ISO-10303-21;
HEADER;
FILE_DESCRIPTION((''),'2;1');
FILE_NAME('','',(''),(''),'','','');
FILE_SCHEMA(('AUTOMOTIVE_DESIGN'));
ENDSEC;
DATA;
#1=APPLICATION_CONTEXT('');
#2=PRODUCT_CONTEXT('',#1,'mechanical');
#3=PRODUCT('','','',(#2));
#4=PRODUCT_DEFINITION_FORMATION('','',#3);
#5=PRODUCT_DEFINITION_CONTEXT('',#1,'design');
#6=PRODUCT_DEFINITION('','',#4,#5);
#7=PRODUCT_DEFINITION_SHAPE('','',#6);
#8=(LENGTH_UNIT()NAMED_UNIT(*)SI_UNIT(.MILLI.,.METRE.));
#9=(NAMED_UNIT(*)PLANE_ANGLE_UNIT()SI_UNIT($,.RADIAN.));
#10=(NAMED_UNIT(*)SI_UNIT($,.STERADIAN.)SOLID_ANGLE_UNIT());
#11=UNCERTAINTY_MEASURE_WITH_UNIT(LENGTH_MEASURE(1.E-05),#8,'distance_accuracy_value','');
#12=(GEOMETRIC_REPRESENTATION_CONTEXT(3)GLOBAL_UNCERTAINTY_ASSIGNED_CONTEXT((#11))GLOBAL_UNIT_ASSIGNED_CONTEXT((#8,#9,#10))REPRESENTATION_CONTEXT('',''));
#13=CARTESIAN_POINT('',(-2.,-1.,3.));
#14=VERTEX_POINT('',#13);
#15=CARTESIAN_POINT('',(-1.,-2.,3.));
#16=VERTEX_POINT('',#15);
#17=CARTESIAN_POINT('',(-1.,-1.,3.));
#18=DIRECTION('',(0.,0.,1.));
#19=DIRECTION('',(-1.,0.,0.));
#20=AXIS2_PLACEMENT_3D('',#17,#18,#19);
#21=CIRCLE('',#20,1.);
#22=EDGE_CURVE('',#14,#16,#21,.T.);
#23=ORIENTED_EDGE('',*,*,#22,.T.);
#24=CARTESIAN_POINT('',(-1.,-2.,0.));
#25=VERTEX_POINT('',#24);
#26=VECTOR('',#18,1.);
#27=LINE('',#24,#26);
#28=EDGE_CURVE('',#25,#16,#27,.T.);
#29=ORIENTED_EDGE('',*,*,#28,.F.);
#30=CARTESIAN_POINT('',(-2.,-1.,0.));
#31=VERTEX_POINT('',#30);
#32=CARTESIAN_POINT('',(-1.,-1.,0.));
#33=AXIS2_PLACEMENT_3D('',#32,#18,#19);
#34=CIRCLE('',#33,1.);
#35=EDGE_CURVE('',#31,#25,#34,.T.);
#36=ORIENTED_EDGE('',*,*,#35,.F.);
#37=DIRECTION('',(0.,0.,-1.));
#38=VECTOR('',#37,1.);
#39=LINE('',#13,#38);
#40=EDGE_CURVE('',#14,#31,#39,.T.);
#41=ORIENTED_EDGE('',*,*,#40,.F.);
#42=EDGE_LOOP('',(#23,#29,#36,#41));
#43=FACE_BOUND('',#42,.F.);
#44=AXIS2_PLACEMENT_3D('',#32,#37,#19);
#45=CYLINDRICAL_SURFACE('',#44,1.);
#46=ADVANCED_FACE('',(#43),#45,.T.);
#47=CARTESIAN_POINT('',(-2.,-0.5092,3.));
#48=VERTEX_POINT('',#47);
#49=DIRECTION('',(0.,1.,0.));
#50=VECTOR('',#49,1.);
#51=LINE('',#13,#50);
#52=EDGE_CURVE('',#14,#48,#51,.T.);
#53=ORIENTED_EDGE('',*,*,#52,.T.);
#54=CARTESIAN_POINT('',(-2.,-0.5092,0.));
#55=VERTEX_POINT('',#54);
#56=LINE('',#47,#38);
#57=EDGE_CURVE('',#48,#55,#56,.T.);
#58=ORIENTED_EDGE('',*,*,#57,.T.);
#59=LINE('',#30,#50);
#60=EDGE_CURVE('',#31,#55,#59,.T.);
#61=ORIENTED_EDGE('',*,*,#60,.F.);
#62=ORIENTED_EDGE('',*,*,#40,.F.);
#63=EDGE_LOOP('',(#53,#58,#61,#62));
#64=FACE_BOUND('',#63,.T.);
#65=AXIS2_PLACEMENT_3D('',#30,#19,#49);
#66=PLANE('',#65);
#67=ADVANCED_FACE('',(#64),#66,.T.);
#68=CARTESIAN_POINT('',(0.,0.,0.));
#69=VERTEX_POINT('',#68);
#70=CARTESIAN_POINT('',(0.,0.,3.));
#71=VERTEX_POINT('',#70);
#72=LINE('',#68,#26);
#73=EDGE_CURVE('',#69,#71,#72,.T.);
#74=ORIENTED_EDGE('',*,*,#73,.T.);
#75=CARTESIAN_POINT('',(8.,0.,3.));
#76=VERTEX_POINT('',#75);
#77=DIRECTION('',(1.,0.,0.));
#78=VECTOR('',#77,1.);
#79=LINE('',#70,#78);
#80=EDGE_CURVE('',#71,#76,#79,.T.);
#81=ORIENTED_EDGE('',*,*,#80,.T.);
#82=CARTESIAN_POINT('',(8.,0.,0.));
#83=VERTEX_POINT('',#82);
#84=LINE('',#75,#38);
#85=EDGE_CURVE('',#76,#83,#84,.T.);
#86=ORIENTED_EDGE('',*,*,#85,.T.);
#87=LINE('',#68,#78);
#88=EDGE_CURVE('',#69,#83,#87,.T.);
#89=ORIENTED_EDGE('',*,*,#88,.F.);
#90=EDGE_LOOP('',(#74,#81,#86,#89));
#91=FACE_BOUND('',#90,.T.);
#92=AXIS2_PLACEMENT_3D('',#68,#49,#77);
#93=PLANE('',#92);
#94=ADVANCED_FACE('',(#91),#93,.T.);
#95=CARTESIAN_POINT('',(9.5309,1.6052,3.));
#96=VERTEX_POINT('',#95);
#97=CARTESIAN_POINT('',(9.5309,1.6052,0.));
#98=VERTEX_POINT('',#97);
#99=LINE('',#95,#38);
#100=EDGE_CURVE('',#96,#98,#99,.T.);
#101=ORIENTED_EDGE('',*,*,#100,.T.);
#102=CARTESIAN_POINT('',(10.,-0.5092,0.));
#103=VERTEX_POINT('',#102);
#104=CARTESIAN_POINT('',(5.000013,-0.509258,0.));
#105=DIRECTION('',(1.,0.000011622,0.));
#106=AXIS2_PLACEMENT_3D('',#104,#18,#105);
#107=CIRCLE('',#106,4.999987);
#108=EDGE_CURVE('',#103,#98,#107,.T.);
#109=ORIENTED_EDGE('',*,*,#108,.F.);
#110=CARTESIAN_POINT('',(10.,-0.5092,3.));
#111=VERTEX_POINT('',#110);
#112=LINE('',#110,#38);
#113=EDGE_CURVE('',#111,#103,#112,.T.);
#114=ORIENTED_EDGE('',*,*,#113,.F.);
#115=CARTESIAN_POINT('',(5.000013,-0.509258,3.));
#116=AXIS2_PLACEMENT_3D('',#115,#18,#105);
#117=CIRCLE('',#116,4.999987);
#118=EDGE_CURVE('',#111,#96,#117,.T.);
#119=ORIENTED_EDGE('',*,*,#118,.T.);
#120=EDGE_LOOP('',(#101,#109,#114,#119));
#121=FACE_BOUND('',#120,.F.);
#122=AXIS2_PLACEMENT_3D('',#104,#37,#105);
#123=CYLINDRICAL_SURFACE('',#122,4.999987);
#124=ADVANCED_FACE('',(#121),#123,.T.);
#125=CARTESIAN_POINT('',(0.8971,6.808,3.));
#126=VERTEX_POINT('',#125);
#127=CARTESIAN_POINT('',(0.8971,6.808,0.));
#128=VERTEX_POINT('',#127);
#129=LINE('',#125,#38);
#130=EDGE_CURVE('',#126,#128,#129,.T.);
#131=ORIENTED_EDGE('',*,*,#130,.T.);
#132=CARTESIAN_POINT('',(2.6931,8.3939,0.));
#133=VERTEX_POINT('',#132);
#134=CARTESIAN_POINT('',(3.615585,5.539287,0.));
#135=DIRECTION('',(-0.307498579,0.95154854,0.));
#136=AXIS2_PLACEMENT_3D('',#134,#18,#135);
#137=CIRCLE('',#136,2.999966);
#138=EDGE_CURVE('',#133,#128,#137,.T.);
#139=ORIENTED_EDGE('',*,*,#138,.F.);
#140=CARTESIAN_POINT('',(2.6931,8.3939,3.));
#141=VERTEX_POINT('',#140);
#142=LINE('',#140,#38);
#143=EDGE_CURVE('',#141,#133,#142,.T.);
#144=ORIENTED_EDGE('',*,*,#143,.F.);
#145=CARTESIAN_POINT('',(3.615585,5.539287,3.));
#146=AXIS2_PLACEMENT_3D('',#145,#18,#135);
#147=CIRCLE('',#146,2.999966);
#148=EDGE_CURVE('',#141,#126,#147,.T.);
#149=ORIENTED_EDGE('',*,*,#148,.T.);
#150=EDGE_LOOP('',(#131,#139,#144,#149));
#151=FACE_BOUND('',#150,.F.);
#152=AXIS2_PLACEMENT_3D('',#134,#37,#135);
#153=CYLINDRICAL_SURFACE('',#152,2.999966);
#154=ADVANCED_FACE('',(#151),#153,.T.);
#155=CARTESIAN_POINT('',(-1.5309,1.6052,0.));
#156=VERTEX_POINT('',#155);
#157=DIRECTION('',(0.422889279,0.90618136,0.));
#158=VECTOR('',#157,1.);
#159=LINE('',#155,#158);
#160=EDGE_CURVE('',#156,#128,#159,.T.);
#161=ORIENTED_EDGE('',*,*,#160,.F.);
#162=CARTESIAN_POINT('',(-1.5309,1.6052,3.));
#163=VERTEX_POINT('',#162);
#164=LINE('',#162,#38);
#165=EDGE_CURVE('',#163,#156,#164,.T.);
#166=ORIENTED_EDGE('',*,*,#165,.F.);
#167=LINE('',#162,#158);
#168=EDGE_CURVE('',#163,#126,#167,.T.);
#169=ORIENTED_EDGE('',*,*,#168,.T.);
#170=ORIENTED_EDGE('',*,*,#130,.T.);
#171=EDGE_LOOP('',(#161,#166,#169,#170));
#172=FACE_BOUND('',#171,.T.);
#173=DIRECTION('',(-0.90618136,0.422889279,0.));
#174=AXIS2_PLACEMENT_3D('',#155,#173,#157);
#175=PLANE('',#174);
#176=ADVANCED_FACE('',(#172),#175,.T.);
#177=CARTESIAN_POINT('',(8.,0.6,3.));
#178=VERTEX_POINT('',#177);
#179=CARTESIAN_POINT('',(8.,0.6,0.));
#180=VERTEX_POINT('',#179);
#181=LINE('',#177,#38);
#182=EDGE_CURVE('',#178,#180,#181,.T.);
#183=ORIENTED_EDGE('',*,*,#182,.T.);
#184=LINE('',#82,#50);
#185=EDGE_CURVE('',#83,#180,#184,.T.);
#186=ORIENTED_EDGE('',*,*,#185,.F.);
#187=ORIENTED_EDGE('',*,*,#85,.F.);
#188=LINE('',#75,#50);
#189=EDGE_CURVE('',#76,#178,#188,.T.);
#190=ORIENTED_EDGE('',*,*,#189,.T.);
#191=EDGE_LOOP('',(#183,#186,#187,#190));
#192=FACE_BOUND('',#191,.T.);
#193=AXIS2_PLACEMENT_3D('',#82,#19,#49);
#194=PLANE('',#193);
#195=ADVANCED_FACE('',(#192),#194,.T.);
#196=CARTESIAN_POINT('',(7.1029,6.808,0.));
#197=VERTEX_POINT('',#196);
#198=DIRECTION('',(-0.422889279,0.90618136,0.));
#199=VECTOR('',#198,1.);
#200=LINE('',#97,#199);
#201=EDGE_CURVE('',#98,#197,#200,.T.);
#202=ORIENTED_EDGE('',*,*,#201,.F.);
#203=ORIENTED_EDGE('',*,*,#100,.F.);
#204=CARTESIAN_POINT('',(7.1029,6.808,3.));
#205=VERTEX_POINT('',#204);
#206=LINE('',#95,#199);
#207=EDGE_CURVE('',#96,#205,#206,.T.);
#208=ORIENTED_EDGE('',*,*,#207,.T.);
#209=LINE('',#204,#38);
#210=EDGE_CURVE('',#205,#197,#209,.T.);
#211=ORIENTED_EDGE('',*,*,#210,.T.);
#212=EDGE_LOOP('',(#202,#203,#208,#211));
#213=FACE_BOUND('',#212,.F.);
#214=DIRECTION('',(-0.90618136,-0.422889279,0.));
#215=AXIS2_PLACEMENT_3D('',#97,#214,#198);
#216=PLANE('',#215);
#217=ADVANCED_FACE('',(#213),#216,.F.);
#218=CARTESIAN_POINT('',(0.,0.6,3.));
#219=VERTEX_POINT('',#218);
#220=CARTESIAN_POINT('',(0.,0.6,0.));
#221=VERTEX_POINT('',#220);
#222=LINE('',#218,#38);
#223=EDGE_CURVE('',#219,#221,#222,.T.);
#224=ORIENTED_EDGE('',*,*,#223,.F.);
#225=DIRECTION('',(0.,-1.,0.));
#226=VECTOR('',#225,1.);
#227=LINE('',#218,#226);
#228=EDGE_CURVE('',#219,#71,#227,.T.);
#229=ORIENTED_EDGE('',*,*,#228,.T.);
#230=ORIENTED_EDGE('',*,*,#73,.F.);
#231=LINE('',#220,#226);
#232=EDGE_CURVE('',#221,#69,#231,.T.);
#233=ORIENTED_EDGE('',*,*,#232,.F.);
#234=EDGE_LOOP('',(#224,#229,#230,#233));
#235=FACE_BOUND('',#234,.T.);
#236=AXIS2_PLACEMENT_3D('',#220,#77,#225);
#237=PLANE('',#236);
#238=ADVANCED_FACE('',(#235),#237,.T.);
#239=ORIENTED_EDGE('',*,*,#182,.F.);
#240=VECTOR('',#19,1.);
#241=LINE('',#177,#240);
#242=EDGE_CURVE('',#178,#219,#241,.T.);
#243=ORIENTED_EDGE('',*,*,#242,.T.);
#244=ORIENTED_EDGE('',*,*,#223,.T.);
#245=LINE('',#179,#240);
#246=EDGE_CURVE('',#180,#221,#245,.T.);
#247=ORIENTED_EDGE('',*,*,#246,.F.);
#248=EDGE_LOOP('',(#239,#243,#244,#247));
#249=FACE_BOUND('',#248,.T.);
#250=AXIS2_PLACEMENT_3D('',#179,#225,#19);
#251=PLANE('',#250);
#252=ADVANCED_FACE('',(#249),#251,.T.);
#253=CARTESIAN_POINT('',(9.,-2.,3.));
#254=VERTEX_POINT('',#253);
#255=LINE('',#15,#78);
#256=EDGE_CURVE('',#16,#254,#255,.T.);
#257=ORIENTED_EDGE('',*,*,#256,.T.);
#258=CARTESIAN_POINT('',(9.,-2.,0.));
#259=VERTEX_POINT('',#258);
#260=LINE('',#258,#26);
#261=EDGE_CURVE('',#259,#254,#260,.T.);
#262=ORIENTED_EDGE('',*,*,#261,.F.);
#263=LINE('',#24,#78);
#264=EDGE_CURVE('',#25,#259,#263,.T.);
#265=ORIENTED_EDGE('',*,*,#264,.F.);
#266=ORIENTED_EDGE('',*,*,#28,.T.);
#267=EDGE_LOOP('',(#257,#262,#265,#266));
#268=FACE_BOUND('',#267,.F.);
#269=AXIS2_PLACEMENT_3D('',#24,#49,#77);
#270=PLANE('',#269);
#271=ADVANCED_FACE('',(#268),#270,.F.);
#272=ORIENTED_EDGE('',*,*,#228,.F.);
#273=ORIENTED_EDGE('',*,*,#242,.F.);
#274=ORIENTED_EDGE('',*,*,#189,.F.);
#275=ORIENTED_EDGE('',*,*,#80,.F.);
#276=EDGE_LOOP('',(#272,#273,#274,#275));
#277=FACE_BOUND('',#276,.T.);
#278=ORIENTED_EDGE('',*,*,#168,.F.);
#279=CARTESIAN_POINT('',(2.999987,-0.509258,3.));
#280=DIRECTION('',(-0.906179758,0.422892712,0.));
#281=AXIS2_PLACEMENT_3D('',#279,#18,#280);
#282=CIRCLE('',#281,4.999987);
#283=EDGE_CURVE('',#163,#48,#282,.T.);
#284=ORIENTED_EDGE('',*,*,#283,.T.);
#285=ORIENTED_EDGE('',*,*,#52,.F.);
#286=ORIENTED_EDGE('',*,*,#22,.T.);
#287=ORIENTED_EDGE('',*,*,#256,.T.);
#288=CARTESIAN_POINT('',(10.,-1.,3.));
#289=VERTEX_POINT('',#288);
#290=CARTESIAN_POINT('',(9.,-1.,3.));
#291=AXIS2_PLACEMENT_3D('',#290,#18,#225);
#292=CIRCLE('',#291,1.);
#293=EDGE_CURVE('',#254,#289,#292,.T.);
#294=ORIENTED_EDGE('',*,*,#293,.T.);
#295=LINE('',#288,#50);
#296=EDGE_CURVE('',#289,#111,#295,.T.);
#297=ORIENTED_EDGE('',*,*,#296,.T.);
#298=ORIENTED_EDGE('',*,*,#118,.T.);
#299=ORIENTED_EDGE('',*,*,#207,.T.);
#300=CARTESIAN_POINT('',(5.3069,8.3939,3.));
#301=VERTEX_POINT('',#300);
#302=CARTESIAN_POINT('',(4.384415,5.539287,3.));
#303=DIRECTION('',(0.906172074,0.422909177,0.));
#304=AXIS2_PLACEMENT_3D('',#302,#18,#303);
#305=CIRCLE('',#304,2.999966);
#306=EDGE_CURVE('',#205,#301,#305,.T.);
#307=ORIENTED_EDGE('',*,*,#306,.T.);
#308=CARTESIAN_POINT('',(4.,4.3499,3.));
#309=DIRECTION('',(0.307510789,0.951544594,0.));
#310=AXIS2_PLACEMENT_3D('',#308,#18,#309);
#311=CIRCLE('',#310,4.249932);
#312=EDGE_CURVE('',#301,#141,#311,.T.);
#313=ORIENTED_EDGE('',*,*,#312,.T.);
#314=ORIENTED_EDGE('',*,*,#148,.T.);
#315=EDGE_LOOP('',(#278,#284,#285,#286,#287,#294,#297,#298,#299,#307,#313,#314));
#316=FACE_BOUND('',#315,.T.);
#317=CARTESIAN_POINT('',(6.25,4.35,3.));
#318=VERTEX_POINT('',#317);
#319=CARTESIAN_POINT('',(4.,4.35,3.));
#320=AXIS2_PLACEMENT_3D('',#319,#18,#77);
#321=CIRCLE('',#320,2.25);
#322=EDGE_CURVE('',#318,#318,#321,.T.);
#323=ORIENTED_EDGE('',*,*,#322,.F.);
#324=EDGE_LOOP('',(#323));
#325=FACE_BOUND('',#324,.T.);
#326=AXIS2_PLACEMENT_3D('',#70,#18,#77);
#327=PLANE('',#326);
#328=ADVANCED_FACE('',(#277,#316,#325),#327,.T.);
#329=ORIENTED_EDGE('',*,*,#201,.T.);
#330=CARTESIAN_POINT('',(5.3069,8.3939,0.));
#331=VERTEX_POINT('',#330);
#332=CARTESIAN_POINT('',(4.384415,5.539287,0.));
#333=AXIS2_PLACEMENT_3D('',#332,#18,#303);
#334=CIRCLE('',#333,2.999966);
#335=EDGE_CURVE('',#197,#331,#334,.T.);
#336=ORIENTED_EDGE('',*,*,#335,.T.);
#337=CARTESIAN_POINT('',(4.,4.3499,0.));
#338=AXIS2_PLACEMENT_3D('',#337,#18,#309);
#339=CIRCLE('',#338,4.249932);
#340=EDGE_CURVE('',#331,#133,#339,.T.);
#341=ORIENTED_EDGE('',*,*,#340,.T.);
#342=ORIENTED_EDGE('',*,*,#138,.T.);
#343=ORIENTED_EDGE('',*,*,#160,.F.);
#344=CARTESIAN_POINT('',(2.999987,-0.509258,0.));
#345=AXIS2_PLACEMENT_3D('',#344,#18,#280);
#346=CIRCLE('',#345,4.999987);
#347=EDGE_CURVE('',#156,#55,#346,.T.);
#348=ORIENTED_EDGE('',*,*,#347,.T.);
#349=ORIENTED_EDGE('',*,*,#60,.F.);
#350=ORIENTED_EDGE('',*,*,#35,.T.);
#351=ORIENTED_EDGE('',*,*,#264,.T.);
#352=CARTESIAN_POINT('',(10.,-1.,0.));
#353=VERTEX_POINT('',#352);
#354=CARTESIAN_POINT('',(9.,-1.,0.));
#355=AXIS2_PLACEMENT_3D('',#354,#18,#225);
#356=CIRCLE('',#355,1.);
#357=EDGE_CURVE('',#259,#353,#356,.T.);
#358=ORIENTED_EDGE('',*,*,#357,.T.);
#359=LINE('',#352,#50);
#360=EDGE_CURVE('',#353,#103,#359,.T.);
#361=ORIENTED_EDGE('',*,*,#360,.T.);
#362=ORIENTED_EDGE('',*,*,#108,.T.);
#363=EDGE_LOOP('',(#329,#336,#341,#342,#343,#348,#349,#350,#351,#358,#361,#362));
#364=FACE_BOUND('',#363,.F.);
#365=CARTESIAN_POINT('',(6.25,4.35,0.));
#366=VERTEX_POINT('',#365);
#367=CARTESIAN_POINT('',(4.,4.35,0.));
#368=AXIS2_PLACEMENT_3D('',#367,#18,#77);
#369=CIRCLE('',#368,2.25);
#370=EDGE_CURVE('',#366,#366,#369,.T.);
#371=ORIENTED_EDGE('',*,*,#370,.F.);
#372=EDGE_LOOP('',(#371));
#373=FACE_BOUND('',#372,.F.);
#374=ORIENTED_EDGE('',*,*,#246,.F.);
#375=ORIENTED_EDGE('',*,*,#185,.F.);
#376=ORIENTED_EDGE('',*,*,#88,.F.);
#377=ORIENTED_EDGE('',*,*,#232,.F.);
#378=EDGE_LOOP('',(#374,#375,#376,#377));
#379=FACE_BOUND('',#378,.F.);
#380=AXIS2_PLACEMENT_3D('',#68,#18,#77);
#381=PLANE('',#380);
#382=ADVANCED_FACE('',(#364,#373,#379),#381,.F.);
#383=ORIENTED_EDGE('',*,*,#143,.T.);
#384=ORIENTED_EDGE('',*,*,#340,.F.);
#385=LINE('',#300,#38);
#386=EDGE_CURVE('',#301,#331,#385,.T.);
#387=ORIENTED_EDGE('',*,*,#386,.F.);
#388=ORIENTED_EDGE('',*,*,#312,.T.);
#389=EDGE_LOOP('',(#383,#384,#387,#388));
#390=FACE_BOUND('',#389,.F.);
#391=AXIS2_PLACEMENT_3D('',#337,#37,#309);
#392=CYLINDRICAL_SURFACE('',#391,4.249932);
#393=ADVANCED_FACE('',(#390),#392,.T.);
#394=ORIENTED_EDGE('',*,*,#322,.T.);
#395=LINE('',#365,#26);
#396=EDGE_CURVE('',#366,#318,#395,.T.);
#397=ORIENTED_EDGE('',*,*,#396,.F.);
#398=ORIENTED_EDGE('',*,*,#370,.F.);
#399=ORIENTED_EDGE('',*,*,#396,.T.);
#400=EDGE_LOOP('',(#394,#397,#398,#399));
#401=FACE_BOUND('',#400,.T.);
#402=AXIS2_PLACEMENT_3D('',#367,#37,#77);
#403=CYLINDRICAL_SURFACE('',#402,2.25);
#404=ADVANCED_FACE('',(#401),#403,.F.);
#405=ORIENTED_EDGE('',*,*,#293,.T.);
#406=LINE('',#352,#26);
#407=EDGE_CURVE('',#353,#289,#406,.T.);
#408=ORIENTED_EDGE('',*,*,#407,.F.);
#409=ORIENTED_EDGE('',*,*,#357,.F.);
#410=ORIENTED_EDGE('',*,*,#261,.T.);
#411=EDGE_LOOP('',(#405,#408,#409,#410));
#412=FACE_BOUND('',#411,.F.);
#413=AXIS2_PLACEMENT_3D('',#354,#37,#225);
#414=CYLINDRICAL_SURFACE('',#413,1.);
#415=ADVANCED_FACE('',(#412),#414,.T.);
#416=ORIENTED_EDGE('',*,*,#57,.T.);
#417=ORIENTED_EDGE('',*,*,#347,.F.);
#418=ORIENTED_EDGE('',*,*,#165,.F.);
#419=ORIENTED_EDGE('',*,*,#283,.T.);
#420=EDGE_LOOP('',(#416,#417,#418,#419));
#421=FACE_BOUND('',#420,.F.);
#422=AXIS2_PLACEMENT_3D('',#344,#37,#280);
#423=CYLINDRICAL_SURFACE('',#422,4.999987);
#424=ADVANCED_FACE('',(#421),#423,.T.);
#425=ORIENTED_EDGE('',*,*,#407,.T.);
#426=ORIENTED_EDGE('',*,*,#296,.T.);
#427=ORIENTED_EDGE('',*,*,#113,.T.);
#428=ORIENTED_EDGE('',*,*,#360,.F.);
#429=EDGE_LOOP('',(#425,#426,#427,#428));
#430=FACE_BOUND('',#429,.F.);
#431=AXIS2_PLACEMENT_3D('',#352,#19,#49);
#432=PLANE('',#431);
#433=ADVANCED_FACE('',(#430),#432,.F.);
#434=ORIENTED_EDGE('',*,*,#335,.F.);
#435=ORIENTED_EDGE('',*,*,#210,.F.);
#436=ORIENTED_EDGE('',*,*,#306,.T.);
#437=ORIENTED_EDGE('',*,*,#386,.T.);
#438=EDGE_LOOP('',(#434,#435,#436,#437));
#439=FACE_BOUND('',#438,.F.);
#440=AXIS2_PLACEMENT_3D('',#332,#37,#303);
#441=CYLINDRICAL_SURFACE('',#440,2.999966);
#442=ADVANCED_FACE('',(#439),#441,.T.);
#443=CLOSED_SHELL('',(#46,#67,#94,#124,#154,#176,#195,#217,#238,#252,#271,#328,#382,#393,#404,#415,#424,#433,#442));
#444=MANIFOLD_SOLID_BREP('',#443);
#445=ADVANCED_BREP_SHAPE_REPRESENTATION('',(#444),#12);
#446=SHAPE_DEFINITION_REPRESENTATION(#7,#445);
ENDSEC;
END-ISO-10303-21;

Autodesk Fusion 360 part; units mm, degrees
sketch "Skizze1" plane through (0, 0, 0) normal (0, 0, 1) x (1, 0, 0)
  line L0 (0, 0) -> (8, 0)
  line L1 (8, 0) -> (8, 0.6)
  line L2 (8, 0.6) -> (0, 0.6)
  line L3 (0, 0.6) -> (0, 0)
  circle A0 centre (4, 4.35) radius 2.25
  line L4 (-1, -2) -> (9, -2)
  line L5 (10, -1) -> (10, -0.5092)
  line L6 (-2, -1) -> (-2, -0.5092)
  line L7 (-1.5309, 1.6052) -> (0.8971, 6.808)
  line L8 (9.5309, 1.6052) -> (7.1029, 6.808)
  arc A1 (5.3069, 8.3939) -> (2.6931, 8.3939) centre (4, 4.3499) ccw
  arc A2 (-1.5309, 1.6052) -> (-2, -0.5092) centre (3, -0.5092) ccw
  arc A3 (10, -0.5092) -> (9.5309, 1.6052) centre (5, -0.5092) ccw
  arc A4 (-2, -1) -> (-1, -2) centre (-1, -1) ccw
  arc A5 (9, -2) -> (10, -1) centre (9, -1) ccw
  arc A6 (7.1029, 6.808) -> (5.3069, 8.3939) centre (4.3844, 5.5393) ccw
  arc A7 (2.6931, 8.3939) -> (0.8971, 6.808) centre (3.6156, 5.5393) ccw
  dimension "d1" = 8
  dimension "d2" = 0.6
  dimension "d3" = 4.5
  dimension "d14" = 5
  dimension "d15" = 5
  dimension "d16" = 1
  dimension "d17" = 1
  dimension "d18" = 3
  dimension "d19" = 3
extrude "Extrusion1" add sketch "Skizze1" along normal blind 2
extrude "Extrusion2" add 1 faces at (5.3333, -1.3333, 2) along direction (0, 0, 1) blind 1
